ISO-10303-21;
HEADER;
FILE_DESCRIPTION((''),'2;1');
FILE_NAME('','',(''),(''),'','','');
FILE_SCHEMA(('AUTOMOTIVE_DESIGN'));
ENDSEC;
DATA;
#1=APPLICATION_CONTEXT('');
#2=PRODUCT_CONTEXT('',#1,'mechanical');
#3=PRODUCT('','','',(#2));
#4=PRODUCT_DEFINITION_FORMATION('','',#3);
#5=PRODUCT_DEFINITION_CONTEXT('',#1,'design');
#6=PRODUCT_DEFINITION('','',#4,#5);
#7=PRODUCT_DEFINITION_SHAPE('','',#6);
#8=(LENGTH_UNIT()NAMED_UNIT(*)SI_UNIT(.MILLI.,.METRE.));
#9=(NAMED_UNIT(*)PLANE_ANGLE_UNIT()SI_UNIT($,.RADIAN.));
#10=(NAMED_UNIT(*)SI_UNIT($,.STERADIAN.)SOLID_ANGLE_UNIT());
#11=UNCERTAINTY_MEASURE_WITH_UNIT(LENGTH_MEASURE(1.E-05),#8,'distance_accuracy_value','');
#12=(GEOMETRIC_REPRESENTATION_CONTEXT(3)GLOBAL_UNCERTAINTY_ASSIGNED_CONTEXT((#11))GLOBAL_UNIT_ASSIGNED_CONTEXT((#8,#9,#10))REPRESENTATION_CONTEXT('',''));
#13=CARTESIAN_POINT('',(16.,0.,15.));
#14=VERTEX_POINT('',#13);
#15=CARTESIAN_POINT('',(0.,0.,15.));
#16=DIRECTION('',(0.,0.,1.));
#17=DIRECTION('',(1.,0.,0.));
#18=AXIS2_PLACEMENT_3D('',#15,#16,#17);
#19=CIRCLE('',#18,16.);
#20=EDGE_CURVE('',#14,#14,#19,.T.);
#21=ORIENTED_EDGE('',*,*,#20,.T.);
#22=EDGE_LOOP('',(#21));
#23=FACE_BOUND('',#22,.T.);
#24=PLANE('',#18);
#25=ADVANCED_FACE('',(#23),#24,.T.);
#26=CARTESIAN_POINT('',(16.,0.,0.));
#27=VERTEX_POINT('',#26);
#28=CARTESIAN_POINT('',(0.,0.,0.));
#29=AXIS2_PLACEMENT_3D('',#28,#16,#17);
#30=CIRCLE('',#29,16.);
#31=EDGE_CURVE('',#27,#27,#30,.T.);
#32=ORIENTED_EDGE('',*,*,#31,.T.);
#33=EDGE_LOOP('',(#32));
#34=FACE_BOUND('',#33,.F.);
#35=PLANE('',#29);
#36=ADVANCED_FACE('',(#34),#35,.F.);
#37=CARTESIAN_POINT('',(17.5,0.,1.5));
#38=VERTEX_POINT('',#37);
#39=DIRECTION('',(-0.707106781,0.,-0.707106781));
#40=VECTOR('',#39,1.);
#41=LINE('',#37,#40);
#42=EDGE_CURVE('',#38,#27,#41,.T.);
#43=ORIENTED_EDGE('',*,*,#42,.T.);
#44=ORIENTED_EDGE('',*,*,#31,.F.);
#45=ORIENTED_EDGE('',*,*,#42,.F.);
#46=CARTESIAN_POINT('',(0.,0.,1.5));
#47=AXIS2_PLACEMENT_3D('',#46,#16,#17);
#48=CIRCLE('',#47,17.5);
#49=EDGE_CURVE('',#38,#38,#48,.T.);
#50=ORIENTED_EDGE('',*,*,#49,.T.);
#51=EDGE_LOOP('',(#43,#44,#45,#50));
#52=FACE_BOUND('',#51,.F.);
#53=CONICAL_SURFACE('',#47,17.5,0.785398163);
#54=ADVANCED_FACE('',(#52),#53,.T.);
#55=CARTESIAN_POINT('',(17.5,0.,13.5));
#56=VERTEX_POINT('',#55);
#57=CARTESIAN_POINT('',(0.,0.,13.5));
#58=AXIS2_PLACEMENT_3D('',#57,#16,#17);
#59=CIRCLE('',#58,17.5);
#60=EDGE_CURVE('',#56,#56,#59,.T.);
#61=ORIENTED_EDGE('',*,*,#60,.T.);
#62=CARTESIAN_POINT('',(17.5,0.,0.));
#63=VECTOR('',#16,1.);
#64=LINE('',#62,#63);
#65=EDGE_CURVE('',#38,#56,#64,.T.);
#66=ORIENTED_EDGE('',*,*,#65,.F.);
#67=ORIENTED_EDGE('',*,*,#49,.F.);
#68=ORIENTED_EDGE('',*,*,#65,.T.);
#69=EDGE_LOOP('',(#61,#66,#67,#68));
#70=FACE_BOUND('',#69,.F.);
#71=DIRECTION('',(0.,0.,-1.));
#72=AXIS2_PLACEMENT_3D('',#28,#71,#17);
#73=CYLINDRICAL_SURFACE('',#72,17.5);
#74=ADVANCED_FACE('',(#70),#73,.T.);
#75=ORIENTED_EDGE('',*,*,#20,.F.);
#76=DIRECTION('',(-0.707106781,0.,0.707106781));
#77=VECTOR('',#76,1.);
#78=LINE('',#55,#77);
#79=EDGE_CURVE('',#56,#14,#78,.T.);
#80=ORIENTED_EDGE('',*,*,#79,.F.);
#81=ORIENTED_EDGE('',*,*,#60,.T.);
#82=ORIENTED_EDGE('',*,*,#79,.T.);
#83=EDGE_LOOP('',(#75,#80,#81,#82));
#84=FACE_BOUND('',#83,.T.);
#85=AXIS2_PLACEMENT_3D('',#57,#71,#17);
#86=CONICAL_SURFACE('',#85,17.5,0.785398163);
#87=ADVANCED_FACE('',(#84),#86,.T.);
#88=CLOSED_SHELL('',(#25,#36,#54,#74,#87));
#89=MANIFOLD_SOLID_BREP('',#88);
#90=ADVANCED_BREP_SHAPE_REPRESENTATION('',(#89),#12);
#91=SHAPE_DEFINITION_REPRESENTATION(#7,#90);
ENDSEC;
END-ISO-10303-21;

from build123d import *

# Parameters (mm, degrees)
F0_R      = 1.5
F1_DEPTH  = 15
F0_R_2    = 17.5
F2_SIZE   = 1.5
F2_2_SIZE = 1.5


with BuildPart() as f1:
    # F0 (on Top) → F1 (new body)
    with BuildSketch(Plane.XY):
        with Locations((-49.0162223577, 3.6474848166)):
            Circle(F0_R)
    extrude(amount=F1_DEPTH)

    # F2
    f2_edges = [f1.edges().sort_by_distance(p)[0] for p in [
        (-50.516222, 3.647485, 15),
    ]]
    chamfer(f2_edges, length=F2_SIZE)


with BuildPart() as f1b:
    # F0 (on Top) → F1, piece 2 (new body)
    with BuildSketch(Plane.XY):
        Circle(F0_R_2)
    extrude(amount=F1_DEPTH)

    # F2#2
    f2_2_edges = [f1b.edges().sort_by_distance(p)[0] for p in [
        (-17.5, 0, 15),
        (17.5, 0, 7.5),
        (-17.5, 0, 0),
    ]]
    chamfer(f2_2_edges, length=F2_2_SIZE)


solid = f1b.part
